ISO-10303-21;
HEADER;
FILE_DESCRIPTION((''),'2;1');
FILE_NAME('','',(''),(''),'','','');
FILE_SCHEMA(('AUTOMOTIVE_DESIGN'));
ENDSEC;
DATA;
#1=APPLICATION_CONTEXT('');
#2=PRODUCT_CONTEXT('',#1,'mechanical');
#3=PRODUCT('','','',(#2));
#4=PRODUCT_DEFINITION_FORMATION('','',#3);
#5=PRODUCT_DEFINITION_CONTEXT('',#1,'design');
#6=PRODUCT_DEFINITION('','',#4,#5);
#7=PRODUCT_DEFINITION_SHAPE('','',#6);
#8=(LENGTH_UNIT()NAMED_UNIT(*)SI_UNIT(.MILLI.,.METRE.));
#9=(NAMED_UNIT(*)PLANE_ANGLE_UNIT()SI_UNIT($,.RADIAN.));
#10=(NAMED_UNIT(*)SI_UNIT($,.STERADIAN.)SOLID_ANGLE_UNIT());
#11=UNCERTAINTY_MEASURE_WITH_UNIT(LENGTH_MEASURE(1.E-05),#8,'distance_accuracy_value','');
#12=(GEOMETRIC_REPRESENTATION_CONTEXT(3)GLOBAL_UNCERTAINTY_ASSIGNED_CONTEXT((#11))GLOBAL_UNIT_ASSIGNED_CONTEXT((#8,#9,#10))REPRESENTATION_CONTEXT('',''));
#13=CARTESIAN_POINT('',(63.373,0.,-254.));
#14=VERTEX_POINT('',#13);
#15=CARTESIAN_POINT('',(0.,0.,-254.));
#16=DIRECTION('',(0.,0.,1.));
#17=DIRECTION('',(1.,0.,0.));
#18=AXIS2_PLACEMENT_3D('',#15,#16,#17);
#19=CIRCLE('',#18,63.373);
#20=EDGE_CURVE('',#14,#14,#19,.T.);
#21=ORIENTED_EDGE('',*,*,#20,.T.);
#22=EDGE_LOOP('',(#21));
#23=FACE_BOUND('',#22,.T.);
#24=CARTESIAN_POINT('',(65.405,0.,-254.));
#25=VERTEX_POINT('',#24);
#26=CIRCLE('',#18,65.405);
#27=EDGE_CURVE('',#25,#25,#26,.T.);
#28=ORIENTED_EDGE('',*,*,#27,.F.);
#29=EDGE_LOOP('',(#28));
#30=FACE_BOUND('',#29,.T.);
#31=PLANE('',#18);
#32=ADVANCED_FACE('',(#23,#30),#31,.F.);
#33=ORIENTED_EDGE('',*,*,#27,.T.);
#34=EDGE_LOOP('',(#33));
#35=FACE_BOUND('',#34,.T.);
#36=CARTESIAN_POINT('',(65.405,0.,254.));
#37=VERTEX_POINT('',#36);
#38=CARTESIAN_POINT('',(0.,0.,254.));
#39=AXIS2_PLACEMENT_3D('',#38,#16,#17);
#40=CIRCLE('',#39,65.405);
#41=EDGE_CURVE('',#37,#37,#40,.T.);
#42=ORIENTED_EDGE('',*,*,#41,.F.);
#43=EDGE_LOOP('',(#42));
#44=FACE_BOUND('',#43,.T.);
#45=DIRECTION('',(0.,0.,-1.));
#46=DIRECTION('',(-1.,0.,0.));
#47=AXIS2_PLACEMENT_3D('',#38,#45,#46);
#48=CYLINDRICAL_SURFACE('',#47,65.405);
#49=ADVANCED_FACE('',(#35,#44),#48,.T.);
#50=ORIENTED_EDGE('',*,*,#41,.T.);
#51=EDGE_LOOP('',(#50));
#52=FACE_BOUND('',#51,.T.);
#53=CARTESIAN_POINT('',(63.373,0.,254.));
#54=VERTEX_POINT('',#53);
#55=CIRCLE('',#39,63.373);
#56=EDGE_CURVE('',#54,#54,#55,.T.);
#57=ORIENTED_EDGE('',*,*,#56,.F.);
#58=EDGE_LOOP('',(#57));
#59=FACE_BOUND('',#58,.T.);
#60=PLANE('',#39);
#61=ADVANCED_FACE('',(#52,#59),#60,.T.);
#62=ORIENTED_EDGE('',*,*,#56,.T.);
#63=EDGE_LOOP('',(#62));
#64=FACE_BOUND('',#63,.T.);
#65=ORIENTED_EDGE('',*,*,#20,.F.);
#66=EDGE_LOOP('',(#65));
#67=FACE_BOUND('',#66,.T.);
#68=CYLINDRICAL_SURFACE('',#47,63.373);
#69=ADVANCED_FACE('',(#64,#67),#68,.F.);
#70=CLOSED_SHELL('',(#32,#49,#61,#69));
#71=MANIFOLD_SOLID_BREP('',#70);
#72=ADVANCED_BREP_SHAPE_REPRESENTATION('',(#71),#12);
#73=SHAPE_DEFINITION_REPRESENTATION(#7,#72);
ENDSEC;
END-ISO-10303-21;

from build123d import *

# Parameters (mm, degrees)
SKETCH1_R           = 65.405
SKETCH1_R_2         = 63.373
BOSS_EXTRUDE1_DEPTH = 254


with BuildPart() as part:
    # Sketch1 → Boss-Extrude1 (new body, symmetric)
    with BuildSketch(Plane.XY):
        Circle(SKETCH1_R)
        Circle(SKETCH1_R_2, mode=Mode.SUBTRACT)
    extrude(amount=BOSS_EXTRUDE1_DEPTH, both=True)


solid = part.part
